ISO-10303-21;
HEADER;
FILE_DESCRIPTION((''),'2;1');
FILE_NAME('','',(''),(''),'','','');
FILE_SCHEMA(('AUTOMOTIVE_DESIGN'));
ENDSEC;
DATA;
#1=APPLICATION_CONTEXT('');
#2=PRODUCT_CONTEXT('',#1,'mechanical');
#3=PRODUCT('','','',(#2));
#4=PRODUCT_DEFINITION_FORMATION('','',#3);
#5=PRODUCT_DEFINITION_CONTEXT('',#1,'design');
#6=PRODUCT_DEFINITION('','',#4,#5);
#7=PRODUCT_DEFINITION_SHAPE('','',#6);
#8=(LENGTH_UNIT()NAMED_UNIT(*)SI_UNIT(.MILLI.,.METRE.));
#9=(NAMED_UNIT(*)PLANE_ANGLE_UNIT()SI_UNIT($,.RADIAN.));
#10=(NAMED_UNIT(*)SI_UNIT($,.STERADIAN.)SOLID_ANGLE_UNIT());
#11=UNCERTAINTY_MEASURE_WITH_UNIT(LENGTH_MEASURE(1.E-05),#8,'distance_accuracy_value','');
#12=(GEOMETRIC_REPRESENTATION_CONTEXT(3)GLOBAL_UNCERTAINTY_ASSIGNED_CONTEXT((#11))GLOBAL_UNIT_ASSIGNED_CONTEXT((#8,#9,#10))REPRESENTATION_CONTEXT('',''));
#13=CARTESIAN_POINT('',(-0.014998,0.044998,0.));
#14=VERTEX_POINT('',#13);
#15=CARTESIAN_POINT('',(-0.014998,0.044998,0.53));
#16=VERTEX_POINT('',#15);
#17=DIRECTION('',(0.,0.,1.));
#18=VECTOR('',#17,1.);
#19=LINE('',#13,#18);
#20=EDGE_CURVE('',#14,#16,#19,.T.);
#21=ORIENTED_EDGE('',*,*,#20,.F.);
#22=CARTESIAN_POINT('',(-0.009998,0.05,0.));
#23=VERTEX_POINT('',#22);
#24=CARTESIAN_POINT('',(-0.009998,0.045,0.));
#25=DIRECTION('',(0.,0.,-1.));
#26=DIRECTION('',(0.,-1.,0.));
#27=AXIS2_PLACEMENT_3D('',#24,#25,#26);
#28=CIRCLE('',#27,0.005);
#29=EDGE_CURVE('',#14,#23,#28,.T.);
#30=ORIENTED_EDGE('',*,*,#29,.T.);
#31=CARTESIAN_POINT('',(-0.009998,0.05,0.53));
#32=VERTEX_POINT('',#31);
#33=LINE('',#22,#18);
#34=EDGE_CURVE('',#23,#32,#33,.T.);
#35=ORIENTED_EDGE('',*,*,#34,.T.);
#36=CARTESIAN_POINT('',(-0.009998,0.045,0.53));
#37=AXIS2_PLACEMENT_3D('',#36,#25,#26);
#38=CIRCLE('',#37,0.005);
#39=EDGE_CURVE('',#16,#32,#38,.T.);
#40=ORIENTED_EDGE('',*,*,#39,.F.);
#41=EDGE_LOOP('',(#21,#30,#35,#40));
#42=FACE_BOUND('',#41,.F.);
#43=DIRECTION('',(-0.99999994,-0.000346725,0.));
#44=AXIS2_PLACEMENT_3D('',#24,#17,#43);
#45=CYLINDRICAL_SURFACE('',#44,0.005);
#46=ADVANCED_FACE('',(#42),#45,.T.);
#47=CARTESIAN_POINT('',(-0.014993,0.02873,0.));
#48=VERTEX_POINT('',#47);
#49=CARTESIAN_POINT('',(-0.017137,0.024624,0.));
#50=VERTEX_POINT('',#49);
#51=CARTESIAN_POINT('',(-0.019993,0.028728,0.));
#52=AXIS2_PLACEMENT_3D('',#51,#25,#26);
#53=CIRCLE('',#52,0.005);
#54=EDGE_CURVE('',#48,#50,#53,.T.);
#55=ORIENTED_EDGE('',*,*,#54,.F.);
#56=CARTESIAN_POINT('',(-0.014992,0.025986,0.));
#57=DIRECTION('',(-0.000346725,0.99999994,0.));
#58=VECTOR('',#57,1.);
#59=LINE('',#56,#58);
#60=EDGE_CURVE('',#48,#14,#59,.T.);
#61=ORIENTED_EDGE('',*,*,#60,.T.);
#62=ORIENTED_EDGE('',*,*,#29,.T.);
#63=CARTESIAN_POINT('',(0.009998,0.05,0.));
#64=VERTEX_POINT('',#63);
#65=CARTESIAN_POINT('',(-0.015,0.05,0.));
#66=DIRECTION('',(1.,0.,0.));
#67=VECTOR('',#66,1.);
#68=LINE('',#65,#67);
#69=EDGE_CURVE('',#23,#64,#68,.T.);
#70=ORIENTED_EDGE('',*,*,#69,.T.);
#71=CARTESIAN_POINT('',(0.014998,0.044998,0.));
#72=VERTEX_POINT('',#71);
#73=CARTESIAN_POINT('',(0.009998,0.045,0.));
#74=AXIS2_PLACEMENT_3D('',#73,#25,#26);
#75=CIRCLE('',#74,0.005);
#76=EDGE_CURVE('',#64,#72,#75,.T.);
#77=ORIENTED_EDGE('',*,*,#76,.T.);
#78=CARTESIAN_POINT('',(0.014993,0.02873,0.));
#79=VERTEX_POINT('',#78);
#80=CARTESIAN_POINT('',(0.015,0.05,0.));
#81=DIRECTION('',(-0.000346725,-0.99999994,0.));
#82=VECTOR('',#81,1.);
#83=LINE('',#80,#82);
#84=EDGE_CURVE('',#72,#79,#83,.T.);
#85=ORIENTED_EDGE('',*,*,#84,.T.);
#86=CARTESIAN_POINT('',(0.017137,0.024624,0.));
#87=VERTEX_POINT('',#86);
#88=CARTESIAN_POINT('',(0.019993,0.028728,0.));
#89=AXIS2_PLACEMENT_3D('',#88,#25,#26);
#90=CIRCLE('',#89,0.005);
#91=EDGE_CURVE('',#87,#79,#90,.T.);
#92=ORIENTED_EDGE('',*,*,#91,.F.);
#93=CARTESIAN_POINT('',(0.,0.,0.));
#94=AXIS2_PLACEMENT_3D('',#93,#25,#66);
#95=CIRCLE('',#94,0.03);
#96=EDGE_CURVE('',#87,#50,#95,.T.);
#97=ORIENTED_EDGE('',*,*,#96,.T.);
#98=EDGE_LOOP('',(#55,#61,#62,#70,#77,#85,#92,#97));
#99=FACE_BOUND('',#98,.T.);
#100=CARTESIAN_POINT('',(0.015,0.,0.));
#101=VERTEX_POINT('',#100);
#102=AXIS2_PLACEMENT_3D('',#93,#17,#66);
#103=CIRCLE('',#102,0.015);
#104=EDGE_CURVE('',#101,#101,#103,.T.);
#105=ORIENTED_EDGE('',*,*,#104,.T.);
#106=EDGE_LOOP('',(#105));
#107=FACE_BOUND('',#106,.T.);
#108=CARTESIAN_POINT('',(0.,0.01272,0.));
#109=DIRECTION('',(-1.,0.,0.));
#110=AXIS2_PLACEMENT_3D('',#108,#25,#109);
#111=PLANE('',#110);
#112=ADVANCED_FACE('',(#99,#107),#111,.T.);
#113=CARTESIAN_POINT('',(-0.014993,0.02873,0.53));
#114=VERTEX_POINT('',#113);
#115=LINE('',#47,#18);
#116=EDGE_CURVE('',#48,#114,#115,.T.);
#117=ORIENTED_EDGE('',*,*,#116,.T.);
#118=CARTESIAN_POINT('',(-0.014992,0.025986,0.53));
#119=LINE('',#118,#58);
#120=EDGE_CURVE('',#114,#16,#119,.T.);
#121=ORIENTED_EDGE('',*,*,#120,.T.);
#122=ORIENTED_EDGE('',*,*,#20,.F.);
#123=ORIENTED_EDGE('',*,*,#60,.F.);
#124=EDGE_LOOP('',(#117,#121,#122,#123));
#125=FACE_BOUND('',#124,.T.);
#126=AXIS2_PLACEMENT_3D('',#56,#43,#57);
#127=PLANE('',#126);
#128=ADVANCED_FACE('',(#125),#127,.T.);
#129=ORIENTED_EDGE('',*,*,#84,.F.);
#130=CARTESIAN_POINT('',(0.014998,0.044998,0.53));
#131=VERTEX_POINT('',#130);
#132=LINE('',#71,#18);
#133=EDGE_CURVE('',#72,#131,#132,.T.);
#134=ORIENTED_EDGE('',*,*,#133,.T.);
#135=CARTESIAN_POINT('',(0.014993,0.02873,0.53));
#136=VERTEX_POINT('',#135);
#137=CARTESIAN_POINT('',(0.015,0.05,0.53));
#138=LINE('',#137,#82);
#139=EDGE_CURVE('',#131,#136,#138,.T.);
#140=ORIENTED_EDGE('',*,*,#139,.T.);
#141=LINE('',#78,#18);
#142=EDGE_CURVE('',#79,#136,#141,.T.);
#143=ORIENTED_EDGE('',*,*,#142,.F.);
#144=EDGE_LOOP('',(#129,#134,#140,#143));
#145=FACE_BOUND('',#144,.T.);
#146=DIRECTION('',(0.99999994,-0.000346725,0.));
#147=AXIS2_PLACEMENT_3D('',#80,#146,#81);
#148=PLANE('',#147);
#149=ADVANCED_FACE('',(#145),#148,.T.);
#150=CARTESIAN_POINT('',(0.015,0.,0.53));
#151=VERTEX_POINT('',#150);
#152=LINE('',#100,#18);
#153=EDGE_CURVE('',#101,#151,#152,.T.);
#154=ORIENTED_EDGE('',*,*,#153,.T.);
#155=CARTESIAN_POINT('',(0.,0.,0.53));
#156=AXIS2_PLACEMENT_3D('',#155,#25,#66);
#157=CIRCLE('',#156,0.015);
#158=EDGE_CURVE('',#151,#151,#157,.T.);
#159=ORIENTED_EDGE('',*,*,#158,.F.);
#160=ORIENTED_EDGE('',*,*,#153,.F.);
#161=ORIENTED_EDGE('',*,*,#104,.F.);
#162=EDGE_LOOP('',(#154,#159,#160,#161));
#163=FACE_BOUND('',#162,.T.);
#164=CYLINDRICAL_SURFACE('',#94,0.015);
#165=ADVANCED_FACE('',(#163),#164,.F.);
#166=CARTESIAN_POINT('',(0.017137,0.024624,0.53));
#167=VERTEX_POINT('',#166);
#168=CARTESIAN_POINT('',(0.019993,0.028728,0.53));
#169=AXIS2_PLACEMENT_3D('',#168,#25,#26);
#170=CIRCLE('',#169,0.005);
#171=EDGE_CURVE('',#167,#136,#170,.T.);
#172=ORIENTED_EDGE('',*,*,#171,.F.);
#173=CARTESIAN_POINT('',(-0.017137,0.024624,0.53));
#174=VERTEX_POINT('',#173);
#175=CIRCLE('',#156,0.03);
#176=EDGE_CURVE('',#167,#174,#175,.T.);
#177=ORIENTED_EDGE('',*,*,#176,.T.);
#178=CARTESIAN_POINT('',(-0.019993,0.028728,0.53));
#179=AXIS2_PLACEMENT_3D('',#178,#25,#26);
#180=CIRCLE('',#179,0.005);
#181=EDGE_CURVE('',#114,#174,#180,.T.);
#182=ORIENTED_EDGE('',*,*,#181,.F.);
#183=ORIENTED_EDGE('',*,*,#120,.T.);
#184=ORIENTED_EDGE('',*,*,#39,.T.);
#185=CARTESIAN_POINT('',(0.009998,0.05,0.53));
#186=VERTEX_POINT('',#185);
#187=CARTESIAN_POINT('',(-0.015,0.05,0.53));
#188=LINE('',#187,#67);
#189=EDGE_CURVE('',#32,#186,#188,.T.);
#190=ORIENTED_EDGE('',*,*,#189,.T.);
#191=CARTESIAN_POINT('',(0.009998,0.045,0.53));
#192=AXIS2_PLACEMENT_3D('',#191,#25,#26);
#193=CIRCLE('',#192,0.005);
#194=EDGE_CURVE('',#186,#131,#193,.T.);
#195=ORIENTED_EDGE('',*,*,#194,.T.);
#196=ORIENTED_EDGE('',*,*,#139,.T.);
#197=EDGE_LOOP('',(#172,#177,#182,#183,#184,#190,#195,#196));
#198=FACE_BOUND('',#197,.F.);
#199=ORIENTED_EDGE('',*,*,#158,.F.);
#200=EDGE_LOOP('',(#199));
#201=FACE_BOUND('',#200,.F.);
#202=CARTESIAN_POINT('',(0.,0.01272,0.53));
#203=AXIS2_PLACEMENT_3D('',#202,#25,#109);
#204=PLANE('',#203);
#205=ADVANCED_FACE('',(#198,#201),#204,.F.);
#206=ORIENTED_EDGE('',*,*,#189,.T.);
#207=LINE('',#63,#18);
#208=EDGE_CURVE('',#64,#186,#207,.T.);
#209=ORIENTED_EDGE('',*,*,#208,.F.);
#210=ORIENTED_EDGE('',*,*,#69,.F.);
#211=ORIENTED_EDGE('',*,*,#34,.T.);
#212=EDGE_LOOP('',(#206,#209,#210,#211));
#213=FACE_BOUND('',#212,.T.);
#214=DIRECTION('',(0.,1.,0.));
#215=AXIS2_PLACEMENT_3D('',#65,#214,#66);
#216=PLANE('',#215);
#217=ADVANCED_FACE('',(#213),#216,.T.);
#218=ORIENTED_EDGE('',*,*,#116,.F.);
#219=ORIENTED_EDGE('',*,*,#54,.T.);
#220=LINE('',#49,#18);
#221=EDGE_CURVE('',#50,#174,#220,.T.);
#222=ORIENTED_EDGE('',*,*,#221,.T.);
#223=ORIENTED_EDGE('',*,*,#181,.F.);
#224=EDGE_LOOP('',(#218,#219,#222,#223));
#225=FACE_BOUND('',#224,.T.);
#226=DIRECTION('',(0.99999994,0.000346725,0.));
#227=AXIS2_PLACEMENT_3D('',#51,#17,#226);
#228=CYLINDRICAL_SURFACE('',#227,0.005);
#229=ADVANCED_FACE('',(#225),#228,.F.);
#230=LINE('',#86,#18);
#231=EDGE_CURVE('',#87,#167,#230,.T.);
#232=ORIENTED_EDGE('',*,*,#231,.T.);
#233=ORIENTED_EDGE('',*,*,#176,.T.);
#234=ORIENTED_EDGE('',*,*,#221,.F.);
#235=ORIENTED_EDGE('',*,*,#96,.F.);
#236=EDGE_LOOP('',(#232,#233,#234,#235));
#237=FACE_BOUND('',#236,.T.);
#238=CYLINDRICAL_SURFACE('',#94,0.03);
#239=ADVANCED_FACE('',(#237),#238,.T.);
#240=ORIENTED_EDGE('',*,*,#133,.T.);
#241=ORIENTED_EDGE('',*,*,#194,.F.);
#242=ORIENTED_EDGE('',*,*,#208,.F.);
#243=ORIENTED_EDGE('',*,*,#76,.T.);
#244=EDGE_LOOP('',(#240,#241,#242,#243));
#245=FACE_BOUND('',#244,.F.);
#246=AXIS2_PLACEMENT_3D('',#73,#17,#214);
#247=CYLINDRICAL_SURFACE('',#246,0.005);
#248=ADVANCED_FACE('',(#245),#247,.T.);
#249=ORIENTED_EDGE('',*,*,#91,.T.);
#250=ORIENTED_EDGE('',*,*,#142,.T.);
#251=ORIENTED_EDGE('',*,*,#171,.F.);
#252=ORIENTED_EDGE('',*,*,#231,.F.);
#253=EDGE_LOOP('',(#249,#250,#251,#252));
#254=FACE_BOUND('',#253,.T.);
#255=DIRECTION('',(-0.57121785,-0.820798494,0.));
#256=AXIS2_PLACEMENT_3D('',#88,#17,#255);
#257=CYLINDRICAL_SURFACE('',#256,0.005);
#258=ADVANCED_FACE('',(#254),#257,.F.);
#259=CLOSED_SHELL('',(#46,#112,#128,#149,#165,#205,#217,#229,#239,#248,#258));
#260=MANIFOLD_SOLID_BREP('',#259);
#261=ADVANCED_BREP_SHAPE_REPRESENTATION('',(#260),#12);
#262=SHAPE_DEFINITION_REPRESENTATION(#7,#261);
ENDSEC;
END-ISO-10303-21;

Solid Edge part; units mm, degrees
sketch "Sketch1" plane through (0, 0, 0) normal (0, 0, 1) x (1, 0, 0)
  line L0 (-0.015, 0.026) -> (-0.015, 0.05)
  line L1 (-0.015, 0.05) -> (0.015, 0.05)
  line L2 (0.015, 0.05) -> (0.015, 0.026)
  arc A0 (0.015, 0.026) -> (-0.015, 0.026) centre (0, 0) cw
  dimension "D1" = 0.015
extrude "Protrusion1" add sketch "Sketch1" along normal blind 0.53
sketch "Sketch2" plane through (0, 0, 0) normal (0, 0, 1) x (1, 0, 0)
  circle A0 centre (0, 0) radius 0.015
  dimension "D1" = 0.03
extrude "Cutout1" cut sketch "Sketch2" along normal through all
fillet "Verrundung_1" radius 0.005 4 edges at (0.015, 0.026, 0.265) (0.015, 0.05, 0.265) (-0.015, 0.026, 0.265) (-0.015, 0.05, 0.265)
